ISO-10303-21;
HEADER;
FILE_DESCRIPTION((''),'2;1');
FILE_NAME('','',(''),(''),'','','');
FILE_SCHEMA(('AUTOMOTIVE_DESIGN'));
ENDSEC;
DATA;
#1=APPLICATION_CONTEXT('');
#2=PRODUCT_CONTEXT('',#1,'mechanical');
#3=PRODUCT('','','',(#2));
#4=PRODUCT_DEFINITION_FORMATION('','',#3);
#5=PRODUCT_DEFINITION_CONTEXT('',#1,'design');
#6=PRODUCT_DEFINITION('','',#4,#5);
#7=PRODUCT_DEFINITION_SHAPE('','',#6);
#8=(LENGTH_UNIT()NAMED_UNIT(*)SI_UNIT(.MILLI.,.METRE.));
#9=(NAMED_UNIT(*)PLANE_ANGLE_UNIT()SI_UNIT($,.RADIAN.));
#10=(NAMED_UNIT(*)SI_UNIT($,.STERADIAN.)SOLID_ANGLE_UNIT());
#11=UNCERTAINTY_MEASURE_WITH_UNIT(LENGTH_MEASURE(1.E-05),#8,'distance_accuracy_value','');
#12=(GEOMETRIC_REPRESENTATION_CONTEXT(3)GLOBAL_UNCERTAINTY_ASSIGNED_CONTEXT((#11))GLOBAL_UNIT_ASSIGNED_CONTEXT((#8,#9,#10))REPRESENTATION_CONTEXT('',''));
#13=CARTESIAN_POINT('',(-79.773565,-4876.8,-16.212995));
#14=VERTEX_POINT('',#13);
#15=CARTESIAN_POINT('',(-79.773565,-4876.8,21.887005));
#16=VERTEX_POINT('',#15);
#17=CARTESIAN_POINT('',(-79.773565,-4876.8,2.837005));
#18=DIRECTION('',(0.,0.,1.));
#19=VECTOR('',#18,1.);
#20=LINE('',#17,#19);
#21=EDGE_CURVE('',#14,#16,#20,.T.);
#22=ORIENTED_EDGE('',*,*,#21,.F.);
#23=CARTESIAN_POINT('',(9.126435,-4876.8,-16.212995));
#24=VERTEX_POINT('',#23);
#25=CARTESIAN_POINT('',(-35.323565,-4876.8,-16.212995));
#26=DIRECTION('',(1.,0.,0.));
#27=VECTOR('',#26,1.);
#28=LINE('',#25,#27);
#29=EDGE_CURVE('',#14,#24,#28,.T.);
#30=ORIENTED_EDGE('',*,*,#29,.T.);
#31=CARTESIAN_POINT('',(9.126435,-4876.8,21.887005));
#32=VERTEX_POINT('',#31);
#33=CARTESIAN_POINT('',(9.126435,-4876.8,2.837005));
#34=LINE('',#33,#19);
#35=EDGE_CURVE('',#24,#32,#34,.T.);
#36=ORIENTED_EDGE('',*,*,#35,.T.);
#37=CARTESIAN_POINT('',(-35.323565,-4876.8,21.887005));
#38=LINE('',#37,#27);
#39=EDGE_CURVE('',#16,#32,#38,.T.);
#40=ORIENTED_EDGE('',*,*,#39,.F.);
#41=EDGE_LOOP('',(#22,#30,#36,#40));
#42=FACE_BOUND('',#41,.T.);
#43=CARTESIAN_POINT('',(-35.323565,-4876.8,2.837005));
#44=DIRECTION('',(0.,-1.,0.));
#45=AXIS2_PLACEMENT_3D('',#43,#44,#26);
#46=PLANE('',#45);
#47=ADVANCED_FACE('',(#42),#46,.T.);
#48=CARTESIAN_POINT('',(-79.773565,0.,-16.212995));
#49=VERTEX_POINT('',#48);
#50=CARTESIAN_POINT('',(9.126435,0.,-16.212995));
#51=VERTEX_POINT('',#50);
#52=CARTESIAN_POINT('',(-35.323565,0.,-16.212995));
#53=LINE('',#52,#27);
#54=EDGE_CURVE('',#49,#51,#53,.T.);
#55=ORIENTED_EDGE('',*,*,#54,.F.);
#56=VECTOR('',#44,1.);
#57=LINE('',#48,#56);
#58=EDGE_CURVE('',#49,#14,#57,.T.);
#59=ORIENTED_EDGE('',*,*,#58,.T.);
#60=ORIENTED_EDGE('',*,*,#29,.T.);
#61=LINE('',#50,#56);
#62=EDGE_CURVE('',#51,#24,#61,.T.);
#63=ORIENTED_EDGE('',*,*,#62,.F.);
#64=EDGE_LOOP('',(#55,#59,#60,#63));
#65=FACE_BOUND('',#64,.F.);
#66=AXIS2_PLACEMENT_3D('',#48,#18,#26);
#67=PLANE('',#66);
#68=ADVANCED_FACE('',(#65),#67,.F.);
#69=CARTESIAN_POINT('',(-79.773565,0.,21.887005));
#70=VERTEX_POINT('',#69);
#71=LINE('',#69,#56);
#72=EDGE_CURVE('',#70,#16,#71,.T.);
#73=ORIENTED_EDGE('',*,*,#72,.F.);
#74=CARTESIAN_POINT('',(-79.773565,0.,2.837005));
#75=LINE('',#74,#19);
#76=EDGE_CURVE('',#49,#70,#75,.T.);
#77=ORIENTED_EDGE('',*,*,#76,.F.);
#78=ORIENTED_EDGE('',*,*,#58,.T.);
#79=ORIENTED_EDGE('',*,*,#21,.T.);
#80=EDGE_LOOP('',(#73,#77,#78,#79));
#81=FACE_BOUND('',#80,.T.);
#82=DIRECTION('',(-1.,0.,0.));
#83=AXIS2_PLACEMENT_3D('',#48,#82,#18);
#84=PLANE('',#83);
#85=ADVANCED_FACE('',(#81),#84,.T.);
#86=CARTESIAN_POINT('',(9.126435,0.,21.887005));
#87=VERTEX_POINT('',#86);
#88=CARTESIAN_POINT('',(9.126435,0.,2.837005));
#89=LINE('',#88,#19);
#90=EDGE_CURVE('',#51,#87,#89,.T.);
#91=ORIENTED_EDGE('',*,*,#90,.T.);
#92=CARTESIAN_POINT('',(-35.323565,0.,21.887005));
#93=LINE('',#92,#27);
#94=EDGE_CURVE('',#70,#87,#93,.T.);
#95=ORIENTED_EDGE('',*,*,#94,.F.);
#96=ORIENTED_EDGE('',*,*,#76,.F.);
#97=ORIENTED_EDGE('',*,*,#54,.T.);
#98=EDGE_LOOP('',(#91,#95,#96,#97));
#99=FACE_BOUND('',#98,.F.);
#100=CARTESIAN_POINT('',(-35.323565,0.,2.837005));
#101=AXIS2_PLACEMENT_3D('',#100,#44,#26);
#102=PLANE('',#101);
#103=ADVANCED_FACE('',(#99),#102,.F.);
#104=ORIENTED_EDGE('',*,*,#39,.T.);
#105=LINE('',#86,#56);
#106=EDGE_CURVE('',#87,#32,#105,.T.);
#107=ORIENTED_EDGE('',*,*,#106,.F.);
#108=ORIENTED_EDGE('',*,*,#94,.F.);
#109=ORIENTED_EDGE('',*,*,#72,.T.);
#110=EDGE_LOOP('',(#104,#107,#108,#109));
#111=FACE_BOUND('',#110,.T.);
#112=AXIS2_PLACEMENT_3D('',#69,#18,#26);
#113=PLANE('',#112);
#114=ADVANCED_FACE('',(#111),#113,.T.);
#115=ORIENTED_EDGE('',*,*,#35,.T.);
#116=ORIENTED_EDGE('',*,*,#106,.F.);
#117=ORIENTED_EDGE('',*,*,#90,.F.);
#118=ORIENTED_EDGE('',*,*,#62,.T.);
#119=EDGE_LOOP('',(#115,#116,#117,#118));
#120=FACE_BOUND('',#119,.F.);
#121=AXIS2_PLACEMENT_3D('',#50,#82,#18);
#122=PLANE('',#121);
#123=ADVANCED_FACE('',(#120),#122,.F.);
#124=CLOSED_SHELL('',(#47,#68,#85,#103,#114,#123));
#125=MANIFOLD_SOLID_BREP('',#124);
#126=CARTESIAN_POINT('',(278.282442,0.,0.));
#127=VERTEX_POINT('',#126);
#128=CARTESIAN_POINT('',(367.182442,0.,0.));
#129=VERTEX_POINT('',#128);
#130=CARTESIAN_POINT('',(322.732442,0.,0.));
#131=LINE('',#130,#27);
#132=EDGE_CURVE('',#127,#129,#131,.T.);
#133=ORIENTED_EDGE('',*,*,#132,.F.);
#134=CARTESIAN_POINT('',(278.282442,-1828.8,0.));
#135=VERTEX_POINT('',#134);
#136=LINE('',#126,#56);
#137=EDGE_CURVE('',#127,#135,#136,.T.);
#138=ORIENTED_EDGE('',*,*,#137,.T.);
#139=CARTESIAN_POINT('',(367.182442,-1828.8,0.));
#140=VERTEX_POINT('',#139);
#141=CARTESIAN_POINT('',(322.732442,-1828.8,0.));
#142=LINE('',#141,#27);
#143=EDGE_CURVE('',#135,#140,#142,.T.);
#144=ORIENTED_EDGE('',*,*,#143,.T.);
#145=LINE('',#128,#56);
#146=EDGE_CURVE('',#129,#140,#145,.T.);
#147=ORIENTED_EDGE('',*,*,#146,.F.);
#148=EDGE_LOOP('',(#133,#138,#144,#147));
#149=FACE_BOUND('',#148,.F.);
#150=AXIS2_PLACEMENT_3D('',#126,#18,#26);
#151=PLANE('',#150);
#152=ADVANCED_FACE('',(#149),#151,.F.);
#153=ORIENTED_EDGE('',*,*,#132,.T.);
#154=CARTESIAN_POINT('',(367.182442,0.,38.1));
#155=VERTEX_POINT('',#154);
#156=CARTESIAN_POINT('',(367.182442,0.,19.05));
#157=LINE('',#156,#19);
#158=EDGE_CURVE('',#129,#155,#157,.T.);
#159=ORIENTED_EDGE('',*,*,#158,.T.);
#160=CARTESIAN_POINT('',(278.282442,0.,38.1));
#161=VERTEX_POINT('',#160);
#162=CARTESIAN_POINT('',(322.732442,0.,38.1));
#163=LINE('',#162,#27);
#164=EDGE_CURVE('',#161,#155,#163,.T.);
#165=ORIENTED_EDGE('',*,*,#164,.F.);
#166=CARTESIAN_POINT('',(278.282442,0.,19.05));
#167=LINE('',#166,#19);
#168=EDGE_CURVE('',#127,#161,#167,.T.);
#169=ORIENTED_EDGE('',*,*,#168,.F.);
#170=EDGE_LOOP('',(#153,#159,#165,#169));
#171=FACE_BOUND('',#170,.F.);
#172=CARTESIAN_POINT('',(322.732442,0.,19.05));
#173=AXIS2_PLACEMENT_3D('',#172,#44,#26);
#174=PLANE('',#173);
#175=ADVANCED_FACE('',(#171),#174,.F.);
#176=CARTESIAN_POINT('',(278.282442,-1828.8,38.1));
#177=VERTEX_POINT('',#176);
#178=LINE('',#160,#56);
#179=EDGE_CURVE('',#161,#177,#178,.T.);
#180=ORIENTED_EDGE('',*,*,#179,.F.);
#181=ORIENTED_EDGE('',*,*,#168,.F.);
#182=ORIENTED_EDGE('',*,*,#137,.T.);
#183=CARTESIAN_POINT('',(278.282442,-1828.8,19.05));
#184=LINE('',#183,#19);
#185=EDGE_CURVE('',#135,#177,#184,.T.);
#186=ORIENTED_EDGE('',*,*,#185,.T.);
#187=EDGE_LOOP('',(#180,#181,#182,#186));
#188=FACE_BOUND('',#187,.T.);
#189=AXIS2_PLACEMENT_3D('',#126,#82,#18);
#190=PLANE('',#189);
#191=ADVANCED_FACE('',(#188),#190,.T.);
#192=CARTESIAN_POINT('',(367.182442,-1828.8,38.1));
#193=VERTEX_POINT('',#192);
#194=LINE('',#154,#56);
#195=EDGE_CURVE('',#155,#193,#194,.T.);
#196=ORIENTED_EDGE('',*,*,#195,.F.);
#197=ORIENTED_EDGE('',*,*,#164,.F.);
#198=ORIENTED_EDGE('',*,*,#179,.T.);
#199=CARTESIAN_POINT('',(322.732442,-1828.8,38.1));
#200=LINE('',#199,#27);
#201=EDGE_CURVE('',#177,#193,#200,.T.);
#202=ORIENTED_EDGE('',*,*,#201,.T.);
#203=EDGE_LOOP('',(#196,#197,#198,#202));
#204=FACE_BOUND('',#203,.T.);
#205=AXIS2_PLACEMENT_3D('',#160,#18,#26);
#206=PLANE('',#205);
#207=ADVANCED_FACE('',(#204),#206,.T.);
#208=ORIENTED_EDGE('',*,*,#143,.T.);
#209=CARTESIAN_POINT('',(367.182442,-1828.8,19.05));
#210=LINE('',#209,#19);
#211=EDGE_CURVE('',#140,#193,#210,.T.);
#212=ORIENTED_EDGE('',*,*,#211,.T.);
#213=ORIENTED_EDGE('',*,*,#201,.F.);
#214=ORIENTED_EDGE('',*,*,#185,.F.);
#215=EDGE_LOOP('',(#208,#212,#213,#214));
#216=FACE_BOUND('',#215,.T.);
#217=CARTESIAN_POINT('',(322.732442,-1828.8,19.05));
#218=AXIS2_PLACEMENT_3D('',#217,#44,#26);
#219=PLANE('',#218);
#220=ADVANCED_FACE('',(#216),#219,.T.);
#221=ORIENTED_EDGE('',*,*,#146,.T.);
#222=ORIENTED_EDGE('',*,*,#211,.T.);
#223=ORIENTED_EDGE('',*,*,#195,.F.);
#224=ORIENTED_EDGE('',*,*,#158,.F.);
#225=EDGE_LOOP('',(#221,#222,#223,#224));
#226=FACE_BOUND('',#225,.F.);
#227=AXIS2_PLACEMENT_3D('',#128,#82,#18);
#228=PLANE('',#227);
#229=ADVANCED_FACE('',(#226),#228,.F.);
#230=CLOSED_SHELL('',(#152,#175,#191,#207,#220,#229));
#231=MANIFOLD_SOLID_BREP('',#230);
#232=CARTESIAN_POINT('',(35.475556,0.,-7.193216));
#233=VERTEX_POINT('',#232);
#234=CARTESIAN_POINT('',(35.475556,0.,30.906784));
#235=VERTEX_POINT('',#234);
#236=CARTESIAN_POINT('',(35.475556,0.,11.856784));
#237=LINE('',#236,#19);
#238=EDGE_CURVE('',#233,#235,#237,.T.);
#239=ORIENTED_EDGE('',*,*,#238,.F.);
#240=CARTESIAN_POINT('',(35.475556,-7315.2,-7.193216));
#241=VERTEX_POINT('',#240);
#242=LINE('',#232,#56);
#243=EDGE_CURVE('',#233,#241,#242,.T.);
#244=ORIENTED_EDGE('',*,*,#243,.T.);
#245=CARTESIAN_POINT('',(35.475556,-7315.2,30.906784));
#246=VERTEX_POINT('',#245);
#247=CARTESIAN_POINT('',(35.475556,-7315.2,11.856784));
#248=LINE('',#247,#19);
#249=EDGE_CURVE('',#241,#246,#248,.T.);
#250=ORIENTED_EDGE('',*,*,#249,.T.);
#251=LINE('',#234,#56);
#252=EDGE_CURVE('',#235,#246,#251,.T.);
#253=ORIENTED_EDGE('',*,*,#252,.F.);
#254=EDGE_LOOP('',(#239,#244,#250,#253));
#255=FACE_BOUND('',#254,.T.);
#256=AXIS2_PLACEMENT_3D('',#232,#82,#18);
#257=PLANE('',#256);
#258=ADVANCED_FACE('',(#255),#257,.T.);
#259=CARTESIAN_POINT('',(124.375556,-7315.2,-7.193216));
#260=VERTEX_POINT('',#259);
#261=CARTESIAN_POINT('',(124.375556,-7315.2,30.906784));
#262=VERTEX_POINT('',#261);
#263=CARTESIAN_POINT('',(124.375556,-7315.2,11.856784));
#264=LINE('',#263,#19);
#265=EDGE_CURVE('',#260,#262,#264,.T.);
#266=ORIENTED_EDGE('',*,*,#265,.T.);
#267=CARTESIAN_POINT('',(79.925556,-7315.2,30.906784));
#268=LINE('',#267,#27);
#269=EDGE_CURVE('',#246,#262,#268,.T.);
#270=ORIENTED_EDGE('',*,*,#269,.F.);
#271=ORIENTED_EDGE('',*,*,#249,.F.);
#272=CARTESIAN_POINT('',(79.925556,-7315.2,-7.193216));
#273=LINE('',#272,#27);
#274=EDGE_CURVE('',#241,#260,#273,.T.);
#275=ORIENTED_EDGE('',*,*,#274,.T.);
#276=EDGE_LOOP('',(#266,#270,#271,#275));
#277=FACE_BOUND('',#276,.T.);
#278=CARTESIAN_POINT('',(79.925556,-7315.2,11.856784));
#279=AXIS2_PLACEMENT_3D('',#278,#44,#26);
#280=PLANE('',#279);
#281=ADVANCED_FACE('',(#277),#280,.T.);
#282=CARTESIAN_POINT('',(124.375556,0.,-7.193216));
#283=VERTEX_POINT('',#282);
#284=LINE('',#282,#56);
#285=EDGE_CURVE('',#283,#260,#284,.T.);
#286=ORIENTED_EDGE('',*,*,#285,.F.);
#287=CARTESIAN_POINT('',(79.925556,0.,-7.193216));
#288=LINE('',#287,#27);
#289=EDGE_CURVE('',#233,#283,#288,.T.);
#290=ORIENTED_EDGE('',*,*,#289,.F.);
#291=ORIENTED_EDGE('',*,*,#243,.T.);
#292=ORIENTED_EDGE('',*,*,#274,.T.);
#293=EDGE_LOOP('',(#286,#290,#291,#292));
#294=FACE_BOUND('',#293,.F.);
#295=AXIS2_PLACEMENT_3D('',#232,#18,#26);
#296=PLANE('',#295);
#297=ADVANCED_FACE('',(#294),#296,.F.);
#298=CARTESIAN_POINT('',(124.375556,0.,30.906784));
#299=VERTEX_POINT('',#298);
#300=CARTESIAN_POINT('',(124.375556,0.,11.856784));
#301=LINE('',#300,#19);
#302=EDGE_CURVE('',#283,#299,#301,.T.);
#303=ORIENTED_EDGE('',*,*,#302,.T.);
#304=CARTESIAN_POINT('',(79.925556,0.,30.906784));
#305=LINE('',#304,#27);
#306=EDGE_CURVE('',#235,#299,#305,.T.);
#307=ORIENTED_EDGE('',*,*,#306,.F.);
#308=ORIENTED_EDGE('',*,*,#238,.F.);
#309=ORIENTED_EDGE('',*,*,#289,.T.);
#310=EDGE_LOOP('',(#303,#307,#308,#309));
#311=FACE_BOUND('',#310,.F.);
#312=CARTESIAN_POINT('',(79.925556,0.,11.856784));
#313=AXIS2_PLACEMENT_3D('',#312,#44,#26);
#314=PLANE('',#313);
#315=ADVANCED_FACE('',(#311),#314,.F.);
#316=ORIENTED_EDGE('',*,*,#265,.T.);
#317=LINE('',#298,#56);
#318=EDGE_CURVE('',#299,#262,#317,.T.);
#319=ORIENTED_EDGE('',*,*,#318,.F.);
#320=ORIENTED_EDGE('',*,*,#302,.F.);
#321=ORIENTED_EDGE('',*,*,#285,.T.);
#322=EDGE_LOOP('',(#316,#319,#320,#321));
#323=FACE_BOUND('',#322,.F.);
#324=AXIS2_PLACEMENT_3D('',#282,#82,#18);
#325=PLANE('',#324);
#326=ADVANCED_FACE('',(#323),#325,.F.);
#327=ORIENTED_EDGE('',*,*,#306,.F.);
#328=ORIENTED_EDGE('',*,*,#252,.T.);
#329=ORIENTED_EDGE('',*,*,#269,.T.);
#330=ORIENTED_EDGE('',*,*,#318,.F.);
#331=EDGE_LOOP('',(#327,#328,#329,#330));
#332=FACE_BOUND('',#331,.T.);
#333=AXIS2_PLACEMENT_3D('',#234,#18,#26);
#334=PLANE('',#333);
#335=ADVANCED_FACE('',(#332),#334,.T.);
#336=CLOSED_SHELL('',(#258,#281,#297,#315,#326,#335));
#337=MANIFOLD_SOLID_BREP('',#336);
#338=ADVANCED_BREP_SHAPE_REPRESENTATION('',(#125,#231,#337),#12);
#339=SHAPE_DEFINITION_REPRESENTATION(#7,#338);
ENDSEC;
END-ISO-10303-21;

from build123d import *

# Parameters (mm, degrees)
F0_W     = 88.9
F0_H     = 38.1
F1_DEPTH = 4876.8
F2_W     = 88.9
F2_H     = 38.1
F3_DEPTH = 7315.2
F4_R     = 1.5875
F5_DEPTH = 25.4
F6_W     = 88.9
F6_H     = 38.1
F7_DEPTH = 1828.8


with BuildPart() as f1:
    # F0 (on Front) → F1 (new body)
    with BuildSketch(Plane.XZ):
        with Locations((-35.3235648945, 2.8370052017)):
            Rectangle(F0_W, F0_H)
    extrude(amount=F1_DEPTH)

    # F4 (on face) → F5 (cut)
    with BuildSketch(Plane.XY.offset(21.8870052017)):
        with Locations((-16.2735648945, -4851.4)):
            Circle(F4_R)
        with Locations((-54.3735648945, -4851.4)):
            Circle(F4_R)
        with Locations((-54.3735648945, -25.4)):
            Circle(F4_R)
        with Locations((-16.2735648945, -25.4)):
            Circle(F4_R)
    extrude(amount=F5_DEPTH, mode=Mode.SUBTRACT)


with BuildPart() as f3:
    # F2 (on Front) → F3 (new body)
    with BuildSketch(Plane.XZ):
        with Locations((79.9255557358, 11.8567835398)):
            Rectangle(F2_W, F2_H)
    extrude(amount=F3_DEPTH)


with BuildPart() as f7:
    # F6 (on Front) → F7 (new body)
    with BuildSketch(Plane.XZ):
        with Locations((322.7324423572, 19.05)):
            Rectangle(F6_W, F6_H)
    extrude(amount=F7_DEPTH)


solid = Compound([f1.part, f3.part, f7.part])
